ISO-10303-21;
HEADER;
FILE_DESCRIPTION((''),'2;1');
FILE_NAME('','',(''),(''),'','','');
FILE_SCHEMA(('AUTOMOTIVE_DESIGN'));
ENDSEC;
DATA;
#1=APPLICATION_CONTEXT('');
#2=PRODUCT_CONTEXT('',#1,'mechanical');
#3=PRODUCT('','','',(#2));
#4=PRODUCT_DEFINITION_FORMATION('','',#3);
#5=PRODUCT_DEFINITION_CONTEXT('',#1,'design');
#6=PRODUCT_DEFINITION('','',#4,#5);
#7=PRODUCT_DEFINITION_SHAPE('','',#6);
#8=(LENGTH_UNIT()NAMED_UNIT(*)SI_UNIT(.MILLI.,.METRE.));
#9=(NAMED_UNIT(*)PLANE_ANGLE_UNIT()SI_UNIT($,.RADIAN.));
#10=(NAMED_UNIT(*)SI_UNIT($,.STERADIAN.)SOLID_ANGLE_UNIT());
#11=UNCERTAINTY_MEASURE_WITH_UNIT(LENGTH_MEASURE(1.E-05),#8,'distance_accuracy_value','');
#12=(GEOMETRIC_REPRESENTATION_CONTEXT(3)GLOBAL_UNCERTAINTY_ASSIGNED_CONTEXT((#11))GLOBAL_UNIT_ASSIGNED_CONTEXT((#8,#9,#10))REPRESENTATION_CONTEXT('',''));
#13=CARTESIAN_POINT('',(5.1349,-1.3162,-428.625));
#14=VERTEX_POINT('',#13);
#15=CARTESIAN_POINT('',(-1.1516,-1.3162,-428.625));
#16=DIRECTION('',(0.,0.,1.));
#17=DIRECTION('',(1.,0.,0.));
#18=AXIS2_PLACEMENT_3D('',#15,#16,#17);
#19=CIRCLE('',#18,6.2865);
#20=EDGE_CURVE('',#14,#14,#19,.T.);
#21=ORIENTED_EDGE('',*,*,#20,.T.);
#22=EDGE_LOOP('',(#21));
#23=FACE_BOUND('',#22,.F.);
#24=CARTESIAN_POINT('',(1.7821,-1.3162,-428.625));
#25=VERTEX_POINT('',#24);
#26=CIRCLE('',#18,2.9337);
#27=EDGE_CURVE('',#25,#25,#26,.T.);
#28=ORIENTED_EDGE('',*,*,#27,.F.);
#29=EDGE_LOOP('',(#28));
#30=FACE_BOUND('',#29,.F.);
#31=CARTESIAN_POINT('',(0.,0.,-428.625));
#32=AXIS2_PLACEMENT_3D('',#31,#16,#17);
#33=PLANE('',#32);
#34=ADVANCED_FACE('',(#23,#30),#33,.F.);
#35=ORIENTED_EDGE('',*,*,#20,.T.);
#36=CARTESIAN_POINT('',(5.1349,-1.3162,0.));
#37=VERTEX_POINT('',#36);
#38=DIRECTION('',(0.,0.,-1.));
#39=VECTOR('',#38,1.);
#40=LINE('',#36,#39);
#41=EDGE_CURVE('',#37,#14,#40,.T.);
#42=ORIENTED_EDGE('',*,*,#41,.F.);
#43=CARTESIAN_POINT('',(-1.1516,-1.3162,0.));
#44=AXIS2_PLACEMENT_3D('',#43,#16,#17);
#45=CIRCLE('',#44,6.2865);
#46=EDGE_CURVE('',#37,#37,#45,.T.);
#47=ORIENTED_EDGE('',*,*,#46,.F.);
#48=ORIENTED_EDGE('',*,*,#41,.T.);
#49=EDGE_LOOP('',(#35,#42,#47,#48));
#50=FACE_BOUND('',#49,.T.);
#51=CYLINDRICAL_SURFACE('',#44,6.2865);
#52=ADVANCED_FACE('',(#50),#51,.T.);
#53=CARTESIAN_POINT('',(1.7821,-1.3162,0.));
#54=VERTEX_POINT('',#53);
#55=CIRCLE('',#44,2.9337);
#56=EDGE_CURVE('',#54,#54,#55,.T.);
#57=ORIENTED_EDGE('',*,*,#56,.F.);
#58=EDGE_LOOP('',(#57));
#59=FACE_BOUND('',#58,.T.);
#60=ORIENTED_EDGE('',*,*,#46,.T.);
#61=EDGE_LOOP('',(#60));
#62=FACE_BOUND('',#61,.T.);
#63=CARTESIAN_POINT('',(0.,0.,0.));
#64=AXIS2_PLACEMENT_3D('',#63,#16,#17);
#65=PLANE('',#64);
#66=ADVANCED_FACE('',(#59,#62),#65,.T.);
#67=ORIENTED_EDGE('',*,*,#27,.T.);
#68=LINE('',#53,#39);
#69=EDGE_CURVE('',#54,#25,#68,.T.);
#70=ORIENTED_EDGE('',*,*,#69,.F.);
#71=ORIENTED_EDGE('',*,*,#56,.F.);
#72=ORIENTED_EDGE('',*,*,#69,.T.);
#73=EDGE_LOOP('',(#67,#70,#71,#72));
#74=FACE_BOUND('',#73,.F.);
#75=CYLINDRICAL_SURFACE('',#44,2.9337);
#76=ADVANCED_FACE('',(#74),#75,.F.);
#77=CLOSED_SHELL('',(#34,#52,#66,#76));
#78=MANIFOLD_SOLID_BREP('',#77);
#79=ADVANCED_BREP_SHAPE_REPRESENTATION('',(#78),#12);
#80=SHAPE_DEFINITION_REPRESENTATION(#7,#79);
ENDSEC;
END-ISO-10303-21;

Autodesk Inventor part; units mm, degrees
ref_plane "YZ Plane" through (0, 0, 0) normal (1, 0, 0) x (0, 1, 0)
ref_plane "XZ Plane" through (0, 0, 0) normal (0, 1, 0) x (-1, 0, 0)
ref_plane "XY Plane" through (0, 0, 0) normal (0, 0, 1) x (1, 0, 0)
sketch "Sketch3" plane through (0, 0, 0) normal (0, 0, 1) x (1, 0, 0)
  circle A0 centre (-1.1516, -1.3162) radius 2.9337
  circle A1 centre (-1.1516, -1.3162) radius 6.2865
  dimension "d3" = 5.8674
  dimension "d4" = 12.573
extrude "Extrusion2" add sketch "Sketch3" against normal blind 428.625
properties part number "Extrusion Replacemant"
